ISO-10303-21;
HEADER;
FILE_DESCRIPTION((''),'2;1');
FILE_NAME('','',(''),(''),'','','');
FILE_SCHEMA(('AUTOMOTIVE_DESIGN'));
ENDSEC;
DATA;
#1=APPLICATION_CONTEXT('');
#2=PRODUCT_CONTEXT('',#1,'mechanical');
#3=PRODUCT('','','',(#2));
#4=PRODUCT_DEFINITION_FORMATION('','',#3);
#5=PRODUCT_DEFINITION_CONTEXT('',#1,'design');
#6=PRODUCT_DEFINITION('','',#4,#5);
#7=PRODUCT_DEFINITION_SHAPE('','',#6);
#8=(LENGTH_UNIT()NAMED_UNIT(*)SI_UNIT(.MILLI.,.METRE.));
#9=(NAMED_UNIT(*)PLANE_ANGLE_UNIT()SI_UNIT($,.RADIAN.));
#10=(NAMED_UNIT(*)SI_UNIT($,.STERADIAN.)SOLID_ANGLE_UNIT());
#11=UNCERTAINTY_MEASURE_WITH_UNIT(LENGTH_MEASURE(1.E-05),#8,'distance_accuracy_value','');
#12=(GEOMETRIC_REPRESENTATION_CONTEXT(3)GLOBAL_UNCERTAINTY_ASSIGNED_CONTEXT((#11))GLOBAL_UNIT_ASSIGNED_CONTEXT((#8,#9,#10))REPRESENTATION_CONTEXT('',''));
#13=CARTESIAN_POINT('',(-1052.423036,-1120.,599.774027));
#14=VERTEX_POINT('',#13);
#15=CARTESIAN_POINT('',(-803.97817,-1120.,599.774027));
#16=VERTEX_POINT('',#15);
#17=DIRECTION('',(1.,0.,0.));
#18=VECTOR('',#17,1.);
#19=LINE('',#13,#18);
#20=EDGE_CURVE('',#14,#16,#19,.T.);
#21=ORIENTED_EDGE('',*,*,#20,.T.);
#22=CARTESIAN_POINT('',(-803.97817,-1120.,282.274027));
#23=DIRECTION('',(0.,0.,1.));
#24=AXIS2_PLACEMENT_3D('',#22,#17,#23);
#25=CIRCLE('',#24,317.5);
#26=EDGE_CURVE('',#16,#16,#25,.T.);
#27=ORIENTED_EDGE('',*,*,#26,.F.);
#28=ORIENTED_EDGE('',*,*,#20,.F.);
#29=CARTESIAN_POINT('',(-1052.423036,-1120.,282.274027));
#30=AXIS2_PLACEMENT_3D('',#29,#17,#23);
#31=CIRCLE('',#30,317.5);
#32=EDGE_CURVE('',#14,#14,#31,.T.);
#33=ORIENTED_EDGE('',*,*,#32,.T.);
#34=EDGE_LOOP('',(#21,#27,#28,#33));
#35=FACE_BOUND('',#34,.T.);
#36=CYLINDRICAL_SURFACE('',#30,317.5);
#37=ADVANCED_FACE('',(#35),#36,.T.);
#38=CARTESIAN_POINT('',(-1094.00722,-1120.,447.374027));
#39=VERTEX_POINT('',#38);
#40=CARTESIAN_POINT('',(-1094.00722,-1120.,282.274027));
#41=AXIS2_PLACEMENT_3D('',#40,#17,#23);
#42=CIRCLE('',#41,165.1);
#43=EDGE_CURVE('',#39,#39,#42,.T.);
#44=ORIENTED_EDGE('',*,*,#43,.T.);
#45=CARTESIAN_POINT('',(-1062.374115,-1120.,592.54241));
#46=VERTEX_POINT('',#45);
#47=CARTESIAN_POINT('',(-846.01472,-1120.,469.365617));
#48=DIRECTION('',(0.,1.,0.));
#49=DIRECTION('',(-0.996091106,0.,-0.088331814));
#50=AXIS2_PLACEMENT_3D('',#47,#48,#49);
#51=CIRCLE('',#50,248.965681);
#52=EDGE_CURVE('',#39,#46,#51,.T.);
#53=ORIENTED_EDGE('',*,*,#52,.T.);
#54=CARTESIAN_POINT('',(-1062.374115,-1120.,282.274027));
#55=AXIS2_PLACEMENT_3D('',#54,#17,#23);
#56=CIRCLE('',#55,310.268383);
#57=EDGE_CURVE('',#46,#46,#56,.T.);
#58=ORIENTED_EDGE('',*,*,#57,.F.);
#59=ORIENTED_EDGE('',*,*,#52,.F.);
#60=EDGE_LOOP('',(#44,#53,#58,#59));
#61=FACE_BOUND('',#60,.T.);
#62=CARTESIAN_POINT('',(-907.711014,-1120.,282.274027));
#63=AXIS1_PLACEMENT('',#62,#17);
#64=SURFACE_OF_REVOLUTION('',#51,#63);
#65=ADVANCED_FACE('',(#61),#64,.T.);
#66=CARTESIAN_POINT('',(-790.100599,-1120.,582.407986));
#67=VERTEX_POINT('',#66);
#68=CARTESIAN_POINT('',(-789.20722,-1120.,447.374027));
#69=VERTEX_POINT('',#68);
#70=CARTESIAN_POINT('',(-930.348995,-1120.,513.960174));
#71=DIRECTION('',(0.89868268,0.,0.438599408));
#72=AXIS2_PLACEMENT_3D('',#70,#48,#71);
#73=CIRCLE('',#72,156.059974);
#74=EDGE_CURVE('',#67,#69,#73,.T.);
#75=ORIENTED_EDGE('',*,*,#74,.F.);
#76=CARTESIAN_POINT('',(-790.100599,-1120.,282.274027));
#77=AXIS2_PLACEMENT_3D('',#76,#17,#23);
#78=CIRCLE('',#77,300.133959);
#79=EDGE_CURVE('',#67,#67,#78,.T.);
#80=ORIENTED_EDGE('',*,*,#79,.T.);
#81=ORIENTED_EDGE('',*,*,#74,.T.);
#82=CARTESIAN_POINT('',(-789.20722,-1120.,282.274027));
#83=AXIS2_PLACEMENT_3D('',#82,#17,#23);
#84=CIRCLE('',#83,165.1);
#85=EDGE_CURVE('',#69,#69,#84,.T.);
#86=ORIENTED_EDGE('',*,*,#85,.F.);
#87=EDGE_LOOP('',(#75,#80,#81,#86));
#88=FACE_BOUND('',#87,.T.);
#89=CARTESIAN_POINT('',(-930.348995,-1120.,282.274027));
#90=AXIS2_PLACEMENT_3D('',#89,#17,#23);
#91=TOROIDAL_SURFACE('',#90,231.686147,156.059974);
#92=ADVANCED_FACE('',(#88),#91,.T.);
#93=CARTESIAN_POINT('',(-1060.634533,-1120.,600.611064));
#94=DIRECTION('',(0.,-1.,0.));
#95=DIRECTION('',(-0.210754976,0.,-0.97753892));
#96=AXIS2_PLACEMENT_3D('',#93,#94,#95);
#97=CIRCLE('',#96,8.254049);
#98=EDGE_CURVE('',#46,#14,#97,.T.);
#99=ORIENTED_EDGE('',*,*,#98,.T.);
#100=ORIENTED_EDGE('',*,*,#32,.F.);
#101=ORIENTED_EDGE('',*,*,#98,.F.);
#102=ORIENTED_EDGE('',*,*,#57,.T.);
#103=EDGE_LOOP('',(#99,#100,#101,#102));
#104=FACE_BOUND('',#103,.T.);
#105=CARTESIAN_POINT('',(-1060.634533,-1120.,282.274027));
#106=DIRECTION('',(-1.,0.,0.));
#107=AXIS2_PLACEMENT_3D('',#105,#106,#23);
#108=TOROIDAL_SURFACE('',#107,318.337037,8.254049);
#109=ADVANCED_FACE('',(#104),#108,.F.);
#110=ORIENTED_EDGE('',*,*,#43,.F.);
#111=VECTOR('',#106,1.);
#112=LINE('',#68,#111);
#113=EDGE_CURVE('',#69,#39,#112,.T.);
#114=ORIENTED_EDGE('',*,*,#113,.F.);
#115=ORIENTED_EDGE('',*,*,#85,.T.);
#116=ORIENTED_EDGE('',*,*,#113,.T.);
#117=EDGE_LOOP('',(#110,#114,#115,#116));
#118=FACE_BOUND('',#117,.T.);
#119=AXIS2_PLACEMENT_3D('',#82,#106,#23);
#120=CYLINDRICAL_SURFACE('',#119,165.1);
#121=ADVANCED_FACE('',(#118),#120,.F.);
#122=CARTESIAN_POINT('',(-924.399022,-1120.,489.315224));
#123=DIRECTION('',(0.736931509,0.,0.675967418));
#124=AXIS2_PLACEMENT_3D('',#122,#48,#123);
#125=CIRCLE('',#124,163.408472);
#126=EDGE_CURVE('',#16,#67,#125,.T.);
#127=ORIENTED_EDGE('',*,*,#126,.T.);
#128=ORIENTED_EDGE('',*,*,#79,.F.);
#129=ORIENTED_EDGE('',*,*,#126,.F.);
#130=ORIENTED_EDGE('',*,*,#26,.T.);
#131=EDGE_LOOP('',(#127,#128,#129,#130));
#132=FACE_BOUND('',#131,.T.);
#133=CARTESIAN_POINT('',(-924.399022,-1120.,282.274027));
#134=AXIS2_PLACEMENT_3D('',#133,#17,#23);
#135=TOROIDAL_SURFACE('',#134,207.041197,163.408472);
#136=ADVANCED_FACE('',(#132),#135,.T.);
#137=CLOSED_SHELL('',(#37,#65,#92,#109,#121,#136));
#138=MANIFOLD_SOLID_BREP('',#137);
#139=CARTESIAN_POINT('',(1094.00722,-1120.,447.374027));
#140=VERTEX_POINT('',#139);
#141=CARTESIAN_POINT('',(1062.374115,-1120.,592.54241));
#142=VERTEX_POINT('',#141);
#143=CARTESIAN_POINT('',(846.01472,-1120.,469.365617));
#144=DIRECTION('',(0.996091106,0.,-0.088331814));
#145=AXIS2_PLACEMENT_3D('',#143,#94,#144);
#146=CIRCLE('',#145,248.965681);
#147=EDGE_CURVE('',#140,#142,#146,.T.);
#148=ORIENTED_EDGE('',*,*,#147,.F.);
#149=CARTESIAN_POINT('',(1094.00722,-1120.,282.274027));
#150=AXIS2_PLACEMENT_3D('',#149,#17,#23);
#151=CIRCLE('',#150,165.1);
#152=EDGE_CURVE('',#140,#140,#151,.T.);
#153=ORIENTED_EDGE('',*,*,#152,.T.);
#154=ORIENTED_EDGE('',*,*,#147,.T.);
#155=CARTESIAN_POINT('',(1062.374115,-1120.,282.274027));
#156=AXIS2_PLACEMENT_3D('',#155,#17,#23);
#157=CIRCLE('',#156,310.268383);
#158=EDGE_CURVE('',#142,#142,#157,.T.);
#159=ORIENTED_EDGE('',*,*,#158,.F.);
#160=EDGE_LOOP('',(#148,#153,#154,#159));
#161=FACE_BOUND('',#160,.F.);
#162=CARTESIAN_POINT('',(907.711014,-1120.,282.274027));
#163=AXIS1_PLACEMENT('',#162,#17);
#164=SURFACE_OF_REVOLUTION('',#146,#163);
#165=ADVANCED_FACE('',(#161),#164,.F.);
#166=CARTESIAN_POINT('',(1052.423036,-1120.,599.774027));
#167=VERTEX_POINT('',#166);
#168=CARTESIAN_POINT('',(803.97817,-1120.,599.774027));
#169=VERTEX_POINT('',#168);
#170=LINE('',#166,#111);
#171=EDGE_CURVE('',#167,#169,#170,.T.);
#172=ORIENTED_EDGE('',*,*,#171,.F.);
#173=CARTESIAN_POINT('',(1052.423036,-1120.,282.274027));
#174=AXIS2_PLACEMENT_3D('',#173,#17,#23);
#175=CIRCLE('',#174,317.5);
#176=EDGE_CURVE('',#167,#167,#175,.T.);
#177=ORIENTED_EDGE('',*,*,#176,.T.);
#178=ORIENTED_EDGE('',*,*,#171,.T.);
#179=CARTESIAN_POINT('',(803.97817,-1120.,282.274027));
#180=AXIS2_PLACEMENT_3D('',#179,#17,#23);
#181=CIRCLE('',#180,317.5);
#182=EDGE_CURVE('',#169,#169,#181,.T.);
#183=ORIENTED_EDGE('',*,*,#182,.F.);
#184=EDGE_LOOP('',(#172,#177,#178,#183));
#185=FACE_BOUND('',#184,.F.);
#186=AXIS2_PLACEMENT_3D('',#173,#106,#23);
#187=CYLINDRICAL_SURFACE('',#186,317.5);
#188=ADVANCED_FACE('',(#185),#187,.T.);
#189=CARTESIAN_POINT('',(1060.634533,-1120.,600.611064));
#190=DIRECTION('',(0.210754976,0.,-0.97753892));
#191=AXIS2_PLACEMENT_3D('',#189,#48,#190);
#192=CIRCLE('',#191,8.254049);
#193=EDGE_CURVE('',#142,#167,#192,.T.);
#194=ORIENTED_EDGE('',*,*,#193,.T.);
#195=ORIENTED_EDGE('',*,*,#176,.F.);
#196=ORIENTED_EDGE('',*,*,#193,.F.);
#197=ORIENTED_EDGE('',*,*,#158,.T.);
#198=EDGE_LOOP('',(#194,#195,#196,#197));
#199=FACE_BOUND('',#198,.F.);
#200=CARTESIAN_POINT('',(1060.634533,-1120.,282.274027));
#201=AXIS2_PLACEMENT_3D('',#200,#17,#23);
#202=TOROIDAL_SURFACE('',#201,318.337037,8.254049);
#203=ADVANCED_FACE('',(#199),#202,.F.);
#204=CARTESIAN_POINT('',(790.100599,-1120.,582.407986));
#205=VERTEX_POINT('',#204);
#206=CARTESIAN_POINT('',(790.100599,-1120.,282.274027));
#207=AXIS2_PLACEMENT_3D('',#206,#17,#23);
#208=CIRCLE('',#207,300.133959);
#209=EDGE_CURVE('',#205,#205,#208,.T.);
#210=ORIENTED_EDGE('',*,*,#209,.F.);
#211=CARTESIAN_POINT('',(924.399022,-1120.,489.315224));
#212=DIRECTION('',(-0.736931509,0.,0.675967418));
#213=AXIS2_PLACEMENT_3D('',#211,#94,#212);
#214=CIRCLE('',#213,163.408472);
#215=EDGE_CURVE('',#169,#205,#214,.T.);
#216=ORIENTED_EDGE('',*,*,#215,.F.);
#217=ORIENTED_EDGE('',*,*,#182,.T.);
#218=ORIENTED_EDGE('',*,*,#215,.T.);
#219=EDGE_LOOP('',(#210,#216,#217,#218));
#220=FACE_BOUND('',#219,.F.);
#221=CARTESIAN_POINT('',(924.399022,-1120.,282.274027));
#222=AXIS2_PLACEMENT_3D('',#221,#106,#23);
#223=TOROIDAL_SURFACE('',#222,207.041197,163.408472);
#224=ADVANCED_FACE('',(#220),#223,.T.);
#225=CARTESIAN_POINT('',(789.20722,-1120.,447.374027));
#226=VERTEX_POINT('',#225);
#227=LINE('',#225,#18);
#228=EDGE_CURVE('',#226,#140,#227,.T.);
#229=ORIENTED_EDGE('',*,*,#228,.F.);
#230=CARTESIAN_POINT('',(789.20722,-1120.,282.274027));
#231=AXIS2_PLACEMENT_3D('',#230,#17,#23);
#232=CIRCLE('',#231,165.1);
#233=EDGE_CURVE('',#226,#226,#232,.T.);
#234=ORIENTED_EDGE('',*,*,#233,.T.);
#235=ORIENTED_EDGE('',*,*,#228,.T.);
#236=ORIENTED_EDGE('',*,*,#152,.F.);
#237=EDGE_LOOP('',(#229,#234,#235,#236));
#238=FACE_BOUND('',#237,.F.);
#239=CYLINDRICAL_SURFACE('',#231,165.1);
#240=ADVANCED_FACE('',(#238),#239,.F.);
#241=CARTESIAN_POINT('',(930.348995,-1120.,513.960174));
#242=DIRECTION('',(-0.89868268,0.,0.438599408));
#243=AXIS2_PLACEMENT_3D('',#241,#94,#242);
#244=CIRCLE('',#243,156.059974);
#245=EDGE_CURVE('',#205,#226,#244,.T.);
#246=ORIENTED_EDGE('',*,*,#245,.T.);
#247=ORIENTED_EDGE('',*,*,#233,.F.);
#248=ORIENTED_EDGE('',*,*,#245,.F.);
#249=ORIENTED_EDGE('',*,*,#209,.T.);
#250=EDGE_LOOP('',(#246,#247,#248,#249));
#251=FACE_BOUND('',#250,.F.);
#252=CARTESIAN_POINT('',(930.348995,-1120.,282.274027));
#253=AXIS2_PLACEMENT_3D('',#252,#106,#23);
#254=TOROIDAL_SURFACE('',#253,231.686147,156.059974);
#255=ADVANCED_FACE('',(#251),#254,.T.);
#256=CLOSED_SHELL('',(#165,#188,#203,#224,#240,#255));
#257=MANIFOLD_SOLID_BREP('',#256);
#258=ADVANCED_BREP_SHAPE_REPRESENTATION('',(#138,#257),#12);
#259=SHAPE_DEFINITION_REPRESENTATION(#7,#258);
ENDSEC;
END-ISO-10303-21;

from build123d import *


with BuildPart() as f2:
    # F1 (on offset) → F2 (revolve)
    with BuildSketch(Plane.XZ.offset(1120)):
        with BuildLine():
            ThreePointArc((790.100599, 582.407986), (774.292436, 514.992638), (789.20722, 447.374027))
            Line((789.20722, 447.374027), (1094.00722, 447.374027))
            ThreePointArc((1094.00722, 447.374027), (1089.272064, 522.372925), (1062.374115, 592.54241))
            ThreePointArc((1062.374115, 592.54241), (1055.782163, 593.933952), (1052.423036, 599.774027))
            Line((1052.423036, 599.774027), (803.97817, 599.774027))
            ThreePointArc((803.97817, 599.774027), (796.743736, 591.327266), (790.100599, 582.407986))
        make_face()
    revolve(axis=Axis((907.711014, -1120, 282.274027), (1, 0, 0)))


with BuildPart() as f3_1:
    # F3: instance of F2
    add(f2.part.mirror(Plane.YZ))


solid = Compound([f2.part, f3_1.part])
